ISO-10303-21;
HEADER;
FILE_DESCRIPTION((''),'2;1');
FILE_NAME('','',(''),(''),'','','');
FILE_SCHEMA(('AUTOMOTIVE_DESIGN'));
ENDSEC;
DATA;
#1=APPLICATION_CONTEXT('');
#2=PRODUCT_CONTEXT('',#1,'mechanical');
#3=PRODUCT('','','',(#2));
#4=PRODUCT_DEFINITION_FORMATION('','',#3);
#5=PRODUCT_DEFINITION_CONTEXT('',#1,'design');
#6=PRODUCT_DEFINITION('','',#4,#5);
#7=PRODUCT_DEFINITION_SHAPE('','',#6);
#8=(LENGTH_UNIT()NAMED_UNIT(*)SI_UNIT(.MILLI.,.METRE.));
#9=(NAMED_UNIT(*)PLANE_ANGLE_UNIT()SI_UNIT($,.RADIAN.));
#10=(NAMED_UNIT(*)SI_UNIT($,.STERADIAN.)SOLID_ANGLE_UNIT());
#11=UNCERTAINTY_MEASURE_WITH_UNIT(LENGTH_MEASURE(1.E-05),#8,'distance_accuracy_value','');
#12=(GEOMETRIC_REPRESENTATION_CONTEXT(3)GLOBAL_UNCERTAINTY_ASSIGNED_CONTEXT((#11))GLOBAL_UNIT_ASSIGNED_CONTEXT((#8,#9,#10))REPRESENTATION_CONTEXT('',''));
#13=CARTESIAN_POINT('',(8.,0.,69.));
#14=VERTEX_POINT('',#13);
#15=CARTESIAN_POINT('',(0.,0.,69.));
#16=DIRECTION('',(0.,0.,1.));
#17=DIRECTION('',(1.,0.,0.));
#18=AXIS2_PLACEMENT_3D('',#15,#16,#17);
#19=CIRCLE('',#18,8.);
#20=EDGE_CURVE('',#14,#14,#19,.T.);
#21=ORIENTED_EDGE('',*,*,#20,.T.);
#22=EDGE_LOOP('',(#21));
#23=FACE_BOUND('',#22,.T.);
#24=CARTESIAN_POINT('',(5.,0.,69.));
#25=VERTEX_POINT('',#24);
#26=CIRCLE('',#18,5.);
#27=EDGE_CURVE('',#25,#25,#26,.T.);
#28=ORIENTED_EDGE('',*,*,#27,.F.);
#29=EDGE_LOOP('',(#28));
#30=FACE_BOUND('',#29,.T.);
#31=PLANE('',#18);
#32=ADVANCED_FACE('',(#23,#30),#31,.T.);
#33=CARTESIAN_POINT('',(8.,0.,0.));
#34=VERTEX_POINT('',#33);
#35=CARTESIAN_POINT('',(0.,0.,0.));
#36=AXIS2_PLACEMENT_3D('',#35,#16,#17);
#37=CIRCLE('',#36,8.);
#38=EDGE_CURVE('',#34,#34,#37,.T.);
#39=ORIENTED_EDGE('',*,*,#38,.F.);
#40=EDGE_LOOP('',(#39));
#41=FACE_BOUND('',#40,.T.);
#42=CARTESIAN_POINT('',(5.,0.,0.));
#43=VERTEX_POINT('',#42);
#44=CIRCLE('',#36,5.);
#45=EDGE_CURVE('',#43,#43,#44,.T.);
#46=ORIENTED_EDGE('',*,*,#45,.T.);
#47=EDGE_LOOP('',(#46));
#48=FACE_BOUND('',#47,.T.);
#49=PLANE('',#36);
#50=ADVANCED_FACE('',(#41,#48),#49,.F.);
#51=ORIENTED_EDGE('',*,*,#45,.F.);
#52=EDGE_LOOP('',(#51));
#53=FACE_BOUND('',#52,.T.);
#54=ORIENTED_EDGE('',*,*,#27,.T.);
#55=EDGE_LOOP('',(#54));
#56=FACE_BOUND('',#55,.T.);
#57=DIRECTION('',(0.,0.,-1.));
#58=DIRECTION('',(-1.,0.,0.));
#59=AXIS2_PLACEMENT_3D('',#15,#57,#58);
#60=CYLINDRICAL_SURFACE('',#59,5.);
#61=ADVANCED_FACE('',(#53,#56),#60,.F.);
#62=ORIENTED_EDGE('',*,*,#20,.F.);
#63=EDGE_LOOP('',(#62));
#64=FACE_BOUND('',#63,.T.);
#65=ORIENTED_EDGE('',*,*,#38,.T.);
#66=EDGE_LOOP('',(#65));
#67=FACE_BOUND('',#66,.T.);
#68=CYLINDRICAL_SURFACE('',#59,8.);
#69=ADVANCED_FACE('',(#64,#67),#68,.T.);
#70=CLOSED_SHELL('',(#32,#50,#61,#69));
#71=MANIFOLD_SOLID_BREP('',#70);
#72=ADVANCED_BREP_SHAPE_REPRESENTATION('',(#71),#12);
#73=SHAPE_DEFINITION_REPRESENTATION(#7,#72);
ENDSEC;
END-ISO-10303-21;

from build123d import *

# Parameters (mm, degrees)
SKETCH1_R      = 8
SKETCH1_R_2    = 5
EXTRUDE1_DEPTH = 69


with BuildPart() as part:
    # Sketch1 → Extrude1 (new body)
    with BuildSketch(Plane.XY):
        Circle(SKETCH1_R)
        Circle(SKETCH1_R_2, mode=Mode.SUBTRACT)
    extrude(amount=EXTRUDE1_DEPTH)


solid = part.part
